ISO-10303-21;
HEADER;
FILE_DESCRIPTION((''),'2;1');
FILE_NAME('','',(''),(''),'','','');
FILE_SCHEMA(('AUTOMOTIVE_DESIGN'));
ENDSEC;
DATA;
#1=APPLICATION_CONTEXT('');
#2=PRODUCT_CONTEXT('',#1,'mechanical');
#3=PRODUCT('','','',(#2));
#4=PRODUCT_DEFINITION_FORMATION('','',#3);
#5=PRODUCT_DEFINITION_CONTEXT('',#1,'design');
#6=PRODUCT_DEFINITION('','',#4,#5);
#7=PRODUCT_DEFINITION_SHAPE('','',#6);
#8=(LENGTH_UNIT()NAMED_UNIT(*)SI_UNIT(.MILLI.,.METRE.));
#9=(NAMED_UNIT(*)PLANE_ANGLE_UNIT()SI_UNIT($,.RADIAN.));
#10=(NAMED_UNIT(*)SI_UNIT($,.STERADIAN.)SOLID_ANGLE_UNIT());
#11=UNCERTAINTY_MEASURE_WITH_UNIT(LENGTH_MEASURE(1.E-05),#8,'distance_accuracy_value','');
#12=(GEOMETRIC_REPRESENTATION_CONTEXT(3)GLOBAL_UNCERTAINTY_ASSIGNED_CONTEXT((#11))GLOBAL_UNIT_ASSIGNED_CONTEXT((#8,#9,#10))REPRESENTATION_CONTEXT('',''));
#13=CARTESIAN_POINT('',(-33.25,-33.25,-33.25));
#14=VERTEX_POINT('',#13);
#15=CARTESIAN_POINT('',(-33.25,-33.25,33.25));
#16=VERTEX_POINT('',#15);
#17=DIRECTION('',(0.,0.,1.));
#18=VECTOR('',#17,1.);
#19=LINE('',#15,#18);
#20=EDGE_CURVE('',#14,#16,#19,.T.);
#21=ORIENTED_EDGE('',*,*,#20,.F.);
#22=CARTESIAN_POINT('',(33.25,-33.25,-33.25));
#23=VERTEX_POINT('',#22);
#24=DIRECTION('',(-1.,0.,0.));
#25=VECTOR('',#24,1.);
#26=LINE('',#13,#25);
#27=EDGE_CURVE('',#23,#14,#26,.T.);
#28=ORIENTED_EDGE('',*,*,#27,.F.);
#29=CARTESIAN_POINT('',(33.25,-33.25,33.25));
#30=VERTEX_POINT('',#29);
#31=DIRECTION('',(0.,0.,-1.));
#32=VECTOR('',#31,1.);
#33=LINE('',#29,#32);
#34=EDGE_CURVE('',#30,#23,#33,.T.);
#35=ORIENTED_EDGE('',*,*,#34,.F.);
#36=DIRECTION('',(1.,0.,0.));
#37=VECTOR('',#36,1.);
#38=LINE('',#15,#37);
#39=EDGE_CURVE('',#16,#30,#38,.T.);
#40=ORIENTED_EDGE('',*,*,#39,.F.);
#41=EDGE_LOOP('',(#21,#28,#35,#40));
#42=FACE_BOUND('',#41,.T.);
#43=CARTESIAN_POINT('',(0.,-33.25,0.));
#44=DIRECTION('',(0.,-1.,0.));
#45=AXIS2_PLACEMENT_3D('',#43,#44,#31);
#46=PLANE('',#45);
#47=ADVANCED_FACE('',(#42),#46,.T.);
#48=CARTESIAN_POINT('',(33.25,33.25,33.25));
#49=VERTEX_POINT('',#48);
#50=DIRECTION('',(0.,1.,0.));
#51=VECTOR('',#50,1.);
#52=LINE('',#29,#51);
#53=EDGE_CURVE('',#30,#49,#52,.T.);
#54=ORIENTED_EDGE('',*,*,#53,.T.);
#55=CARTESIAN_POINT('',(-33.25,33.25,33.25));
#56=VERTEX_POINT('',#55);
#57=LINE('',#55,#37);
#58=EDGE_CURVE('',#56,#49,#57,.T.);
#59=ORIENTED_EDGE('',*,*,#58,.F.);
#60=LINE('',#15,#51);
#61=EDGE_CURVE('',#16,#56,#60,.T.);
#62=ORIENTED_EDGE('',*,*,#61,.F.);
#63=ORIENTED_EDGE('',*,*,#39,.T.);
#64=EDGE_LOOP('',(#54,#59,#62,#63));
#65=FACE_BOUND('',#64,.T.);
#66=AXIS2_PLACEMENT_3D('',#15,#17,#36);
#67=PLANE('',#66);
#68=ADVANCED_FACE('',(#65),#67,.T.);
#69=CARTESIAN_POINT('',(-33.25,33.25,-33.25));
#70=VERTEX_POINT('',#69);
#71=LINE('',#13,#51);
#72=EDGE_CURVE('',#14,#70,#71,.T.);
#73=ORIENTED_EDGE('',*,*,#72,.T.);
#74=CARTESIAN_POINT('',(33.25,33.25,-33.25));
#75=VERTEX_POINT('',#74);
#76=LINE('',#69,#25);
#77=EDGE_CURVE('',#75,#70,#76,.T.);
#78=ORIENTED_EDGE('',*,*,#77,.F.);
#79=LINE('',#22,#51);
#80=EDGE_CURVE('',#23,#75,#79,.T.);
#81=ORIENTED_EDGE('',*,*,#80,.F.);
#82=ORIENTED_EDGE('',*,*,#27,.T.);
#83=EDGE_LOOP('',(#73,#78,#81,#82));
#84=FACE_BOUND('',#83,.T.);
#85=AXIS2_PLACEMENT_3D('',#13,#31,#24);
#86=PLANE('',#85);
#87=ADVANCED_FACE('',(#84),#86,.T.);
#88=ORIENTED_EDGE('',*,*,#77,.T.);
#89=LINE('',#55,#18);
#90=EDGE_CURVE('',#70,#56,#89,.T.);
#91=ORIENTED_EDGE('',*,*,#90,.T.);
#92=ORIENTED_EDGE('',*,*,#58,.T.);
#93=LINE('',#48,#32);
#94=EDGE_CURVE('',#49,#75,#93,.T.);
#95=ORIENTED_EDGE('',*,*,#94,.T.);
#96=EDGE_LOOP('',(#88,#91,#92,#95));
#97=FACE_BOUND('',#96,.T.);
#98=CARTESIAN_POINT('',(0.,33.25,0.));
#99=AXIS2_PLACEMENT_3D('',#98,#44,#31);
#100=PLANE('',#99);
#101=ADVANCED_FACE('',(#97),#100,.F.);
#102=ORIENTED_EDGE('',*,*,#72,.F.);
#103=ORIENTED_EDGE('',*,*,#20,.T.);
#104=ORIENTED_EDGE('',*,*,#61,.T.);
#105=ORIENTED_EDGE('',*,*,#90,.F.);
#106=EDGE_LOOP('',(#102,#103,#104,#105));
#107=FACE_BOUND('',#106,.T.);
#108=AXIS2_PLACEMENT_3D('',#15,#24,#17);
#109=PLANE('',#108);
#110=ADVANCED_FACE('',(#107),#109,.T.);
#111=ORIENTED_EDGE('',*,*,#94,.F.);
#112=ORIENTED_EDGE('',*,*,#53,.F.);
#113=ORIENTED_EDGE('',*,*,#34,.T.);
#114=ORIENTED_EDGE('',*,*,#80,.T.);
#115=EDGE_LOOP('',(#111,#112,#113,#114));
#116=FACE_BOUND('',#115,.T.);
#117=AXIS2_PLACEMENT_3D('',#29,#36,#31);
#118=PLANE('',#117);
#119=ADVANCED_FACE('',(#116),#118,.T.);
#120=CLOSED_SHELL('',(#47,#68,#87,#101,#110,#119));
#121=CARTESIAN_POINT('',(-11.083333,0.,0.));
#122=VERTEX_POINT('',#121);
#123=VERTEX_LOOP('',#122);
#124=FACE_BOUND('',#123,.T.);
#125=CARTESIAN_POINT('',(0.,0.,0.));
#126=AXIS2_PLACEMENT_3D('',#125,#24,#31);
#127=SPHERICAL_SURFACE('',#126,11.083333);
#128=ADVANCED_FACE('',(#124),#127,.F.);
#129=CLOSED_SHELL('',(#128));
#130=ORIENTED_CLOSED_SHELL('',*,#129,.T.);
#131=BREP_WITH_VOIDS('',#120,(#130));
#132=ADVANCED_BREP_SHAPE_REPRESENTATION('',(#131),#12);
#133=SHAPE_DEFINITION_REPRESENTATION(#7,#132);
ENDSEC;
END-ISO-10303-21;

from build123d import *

# Parameters (mm, degrees)
BOSS_EXTRUDE1_DEPTH      = 33.25
BOSS_EXTRUDE1_DEPTH_BACK = 33.25
SKETCH1_W                = 66.5
SKETCH1_H                = 66.5


with BuildPart() as part:
    # Sketch1 → Boss-Extrude1 (new, two sides: drawn at the far end of the back side and taken through both)
    with BuildSketch(Plane(origin=(0, 0, 0), x_dir=(1, 0, 0), z_dir=(0, 1, 0)).offset(-BOSS_EXTRUDE1_DEPTH_BACK)):
        Rectangle(SKETCH1_W, SKETCH1_H)
    extrude(amount=BOSS_EXTRUDE1_DEPTH + BOSS_EXTRUDE1_DEPTH_BACK)

    # Sketch2 → Cut-Revolve1 (revolve, cut)
    with BuildSketch(Plane(origin=(0, 0, 0), x_dir=(1, 0, 0), z_dir=(0, 1, 0))):
        with BuildLine():
            Line((-11.083333333, 0), (11.083333333, 0))
            ThreePointArc((11.083333333, 0), (0, 11.083333333), (-11.083333333, 0))
        make_face()
    revolve(axis=Axis((-11.083333333, 0, 0), (1, 0, 0)), mode=Mode.SUBTRACT)


solid = part.part
